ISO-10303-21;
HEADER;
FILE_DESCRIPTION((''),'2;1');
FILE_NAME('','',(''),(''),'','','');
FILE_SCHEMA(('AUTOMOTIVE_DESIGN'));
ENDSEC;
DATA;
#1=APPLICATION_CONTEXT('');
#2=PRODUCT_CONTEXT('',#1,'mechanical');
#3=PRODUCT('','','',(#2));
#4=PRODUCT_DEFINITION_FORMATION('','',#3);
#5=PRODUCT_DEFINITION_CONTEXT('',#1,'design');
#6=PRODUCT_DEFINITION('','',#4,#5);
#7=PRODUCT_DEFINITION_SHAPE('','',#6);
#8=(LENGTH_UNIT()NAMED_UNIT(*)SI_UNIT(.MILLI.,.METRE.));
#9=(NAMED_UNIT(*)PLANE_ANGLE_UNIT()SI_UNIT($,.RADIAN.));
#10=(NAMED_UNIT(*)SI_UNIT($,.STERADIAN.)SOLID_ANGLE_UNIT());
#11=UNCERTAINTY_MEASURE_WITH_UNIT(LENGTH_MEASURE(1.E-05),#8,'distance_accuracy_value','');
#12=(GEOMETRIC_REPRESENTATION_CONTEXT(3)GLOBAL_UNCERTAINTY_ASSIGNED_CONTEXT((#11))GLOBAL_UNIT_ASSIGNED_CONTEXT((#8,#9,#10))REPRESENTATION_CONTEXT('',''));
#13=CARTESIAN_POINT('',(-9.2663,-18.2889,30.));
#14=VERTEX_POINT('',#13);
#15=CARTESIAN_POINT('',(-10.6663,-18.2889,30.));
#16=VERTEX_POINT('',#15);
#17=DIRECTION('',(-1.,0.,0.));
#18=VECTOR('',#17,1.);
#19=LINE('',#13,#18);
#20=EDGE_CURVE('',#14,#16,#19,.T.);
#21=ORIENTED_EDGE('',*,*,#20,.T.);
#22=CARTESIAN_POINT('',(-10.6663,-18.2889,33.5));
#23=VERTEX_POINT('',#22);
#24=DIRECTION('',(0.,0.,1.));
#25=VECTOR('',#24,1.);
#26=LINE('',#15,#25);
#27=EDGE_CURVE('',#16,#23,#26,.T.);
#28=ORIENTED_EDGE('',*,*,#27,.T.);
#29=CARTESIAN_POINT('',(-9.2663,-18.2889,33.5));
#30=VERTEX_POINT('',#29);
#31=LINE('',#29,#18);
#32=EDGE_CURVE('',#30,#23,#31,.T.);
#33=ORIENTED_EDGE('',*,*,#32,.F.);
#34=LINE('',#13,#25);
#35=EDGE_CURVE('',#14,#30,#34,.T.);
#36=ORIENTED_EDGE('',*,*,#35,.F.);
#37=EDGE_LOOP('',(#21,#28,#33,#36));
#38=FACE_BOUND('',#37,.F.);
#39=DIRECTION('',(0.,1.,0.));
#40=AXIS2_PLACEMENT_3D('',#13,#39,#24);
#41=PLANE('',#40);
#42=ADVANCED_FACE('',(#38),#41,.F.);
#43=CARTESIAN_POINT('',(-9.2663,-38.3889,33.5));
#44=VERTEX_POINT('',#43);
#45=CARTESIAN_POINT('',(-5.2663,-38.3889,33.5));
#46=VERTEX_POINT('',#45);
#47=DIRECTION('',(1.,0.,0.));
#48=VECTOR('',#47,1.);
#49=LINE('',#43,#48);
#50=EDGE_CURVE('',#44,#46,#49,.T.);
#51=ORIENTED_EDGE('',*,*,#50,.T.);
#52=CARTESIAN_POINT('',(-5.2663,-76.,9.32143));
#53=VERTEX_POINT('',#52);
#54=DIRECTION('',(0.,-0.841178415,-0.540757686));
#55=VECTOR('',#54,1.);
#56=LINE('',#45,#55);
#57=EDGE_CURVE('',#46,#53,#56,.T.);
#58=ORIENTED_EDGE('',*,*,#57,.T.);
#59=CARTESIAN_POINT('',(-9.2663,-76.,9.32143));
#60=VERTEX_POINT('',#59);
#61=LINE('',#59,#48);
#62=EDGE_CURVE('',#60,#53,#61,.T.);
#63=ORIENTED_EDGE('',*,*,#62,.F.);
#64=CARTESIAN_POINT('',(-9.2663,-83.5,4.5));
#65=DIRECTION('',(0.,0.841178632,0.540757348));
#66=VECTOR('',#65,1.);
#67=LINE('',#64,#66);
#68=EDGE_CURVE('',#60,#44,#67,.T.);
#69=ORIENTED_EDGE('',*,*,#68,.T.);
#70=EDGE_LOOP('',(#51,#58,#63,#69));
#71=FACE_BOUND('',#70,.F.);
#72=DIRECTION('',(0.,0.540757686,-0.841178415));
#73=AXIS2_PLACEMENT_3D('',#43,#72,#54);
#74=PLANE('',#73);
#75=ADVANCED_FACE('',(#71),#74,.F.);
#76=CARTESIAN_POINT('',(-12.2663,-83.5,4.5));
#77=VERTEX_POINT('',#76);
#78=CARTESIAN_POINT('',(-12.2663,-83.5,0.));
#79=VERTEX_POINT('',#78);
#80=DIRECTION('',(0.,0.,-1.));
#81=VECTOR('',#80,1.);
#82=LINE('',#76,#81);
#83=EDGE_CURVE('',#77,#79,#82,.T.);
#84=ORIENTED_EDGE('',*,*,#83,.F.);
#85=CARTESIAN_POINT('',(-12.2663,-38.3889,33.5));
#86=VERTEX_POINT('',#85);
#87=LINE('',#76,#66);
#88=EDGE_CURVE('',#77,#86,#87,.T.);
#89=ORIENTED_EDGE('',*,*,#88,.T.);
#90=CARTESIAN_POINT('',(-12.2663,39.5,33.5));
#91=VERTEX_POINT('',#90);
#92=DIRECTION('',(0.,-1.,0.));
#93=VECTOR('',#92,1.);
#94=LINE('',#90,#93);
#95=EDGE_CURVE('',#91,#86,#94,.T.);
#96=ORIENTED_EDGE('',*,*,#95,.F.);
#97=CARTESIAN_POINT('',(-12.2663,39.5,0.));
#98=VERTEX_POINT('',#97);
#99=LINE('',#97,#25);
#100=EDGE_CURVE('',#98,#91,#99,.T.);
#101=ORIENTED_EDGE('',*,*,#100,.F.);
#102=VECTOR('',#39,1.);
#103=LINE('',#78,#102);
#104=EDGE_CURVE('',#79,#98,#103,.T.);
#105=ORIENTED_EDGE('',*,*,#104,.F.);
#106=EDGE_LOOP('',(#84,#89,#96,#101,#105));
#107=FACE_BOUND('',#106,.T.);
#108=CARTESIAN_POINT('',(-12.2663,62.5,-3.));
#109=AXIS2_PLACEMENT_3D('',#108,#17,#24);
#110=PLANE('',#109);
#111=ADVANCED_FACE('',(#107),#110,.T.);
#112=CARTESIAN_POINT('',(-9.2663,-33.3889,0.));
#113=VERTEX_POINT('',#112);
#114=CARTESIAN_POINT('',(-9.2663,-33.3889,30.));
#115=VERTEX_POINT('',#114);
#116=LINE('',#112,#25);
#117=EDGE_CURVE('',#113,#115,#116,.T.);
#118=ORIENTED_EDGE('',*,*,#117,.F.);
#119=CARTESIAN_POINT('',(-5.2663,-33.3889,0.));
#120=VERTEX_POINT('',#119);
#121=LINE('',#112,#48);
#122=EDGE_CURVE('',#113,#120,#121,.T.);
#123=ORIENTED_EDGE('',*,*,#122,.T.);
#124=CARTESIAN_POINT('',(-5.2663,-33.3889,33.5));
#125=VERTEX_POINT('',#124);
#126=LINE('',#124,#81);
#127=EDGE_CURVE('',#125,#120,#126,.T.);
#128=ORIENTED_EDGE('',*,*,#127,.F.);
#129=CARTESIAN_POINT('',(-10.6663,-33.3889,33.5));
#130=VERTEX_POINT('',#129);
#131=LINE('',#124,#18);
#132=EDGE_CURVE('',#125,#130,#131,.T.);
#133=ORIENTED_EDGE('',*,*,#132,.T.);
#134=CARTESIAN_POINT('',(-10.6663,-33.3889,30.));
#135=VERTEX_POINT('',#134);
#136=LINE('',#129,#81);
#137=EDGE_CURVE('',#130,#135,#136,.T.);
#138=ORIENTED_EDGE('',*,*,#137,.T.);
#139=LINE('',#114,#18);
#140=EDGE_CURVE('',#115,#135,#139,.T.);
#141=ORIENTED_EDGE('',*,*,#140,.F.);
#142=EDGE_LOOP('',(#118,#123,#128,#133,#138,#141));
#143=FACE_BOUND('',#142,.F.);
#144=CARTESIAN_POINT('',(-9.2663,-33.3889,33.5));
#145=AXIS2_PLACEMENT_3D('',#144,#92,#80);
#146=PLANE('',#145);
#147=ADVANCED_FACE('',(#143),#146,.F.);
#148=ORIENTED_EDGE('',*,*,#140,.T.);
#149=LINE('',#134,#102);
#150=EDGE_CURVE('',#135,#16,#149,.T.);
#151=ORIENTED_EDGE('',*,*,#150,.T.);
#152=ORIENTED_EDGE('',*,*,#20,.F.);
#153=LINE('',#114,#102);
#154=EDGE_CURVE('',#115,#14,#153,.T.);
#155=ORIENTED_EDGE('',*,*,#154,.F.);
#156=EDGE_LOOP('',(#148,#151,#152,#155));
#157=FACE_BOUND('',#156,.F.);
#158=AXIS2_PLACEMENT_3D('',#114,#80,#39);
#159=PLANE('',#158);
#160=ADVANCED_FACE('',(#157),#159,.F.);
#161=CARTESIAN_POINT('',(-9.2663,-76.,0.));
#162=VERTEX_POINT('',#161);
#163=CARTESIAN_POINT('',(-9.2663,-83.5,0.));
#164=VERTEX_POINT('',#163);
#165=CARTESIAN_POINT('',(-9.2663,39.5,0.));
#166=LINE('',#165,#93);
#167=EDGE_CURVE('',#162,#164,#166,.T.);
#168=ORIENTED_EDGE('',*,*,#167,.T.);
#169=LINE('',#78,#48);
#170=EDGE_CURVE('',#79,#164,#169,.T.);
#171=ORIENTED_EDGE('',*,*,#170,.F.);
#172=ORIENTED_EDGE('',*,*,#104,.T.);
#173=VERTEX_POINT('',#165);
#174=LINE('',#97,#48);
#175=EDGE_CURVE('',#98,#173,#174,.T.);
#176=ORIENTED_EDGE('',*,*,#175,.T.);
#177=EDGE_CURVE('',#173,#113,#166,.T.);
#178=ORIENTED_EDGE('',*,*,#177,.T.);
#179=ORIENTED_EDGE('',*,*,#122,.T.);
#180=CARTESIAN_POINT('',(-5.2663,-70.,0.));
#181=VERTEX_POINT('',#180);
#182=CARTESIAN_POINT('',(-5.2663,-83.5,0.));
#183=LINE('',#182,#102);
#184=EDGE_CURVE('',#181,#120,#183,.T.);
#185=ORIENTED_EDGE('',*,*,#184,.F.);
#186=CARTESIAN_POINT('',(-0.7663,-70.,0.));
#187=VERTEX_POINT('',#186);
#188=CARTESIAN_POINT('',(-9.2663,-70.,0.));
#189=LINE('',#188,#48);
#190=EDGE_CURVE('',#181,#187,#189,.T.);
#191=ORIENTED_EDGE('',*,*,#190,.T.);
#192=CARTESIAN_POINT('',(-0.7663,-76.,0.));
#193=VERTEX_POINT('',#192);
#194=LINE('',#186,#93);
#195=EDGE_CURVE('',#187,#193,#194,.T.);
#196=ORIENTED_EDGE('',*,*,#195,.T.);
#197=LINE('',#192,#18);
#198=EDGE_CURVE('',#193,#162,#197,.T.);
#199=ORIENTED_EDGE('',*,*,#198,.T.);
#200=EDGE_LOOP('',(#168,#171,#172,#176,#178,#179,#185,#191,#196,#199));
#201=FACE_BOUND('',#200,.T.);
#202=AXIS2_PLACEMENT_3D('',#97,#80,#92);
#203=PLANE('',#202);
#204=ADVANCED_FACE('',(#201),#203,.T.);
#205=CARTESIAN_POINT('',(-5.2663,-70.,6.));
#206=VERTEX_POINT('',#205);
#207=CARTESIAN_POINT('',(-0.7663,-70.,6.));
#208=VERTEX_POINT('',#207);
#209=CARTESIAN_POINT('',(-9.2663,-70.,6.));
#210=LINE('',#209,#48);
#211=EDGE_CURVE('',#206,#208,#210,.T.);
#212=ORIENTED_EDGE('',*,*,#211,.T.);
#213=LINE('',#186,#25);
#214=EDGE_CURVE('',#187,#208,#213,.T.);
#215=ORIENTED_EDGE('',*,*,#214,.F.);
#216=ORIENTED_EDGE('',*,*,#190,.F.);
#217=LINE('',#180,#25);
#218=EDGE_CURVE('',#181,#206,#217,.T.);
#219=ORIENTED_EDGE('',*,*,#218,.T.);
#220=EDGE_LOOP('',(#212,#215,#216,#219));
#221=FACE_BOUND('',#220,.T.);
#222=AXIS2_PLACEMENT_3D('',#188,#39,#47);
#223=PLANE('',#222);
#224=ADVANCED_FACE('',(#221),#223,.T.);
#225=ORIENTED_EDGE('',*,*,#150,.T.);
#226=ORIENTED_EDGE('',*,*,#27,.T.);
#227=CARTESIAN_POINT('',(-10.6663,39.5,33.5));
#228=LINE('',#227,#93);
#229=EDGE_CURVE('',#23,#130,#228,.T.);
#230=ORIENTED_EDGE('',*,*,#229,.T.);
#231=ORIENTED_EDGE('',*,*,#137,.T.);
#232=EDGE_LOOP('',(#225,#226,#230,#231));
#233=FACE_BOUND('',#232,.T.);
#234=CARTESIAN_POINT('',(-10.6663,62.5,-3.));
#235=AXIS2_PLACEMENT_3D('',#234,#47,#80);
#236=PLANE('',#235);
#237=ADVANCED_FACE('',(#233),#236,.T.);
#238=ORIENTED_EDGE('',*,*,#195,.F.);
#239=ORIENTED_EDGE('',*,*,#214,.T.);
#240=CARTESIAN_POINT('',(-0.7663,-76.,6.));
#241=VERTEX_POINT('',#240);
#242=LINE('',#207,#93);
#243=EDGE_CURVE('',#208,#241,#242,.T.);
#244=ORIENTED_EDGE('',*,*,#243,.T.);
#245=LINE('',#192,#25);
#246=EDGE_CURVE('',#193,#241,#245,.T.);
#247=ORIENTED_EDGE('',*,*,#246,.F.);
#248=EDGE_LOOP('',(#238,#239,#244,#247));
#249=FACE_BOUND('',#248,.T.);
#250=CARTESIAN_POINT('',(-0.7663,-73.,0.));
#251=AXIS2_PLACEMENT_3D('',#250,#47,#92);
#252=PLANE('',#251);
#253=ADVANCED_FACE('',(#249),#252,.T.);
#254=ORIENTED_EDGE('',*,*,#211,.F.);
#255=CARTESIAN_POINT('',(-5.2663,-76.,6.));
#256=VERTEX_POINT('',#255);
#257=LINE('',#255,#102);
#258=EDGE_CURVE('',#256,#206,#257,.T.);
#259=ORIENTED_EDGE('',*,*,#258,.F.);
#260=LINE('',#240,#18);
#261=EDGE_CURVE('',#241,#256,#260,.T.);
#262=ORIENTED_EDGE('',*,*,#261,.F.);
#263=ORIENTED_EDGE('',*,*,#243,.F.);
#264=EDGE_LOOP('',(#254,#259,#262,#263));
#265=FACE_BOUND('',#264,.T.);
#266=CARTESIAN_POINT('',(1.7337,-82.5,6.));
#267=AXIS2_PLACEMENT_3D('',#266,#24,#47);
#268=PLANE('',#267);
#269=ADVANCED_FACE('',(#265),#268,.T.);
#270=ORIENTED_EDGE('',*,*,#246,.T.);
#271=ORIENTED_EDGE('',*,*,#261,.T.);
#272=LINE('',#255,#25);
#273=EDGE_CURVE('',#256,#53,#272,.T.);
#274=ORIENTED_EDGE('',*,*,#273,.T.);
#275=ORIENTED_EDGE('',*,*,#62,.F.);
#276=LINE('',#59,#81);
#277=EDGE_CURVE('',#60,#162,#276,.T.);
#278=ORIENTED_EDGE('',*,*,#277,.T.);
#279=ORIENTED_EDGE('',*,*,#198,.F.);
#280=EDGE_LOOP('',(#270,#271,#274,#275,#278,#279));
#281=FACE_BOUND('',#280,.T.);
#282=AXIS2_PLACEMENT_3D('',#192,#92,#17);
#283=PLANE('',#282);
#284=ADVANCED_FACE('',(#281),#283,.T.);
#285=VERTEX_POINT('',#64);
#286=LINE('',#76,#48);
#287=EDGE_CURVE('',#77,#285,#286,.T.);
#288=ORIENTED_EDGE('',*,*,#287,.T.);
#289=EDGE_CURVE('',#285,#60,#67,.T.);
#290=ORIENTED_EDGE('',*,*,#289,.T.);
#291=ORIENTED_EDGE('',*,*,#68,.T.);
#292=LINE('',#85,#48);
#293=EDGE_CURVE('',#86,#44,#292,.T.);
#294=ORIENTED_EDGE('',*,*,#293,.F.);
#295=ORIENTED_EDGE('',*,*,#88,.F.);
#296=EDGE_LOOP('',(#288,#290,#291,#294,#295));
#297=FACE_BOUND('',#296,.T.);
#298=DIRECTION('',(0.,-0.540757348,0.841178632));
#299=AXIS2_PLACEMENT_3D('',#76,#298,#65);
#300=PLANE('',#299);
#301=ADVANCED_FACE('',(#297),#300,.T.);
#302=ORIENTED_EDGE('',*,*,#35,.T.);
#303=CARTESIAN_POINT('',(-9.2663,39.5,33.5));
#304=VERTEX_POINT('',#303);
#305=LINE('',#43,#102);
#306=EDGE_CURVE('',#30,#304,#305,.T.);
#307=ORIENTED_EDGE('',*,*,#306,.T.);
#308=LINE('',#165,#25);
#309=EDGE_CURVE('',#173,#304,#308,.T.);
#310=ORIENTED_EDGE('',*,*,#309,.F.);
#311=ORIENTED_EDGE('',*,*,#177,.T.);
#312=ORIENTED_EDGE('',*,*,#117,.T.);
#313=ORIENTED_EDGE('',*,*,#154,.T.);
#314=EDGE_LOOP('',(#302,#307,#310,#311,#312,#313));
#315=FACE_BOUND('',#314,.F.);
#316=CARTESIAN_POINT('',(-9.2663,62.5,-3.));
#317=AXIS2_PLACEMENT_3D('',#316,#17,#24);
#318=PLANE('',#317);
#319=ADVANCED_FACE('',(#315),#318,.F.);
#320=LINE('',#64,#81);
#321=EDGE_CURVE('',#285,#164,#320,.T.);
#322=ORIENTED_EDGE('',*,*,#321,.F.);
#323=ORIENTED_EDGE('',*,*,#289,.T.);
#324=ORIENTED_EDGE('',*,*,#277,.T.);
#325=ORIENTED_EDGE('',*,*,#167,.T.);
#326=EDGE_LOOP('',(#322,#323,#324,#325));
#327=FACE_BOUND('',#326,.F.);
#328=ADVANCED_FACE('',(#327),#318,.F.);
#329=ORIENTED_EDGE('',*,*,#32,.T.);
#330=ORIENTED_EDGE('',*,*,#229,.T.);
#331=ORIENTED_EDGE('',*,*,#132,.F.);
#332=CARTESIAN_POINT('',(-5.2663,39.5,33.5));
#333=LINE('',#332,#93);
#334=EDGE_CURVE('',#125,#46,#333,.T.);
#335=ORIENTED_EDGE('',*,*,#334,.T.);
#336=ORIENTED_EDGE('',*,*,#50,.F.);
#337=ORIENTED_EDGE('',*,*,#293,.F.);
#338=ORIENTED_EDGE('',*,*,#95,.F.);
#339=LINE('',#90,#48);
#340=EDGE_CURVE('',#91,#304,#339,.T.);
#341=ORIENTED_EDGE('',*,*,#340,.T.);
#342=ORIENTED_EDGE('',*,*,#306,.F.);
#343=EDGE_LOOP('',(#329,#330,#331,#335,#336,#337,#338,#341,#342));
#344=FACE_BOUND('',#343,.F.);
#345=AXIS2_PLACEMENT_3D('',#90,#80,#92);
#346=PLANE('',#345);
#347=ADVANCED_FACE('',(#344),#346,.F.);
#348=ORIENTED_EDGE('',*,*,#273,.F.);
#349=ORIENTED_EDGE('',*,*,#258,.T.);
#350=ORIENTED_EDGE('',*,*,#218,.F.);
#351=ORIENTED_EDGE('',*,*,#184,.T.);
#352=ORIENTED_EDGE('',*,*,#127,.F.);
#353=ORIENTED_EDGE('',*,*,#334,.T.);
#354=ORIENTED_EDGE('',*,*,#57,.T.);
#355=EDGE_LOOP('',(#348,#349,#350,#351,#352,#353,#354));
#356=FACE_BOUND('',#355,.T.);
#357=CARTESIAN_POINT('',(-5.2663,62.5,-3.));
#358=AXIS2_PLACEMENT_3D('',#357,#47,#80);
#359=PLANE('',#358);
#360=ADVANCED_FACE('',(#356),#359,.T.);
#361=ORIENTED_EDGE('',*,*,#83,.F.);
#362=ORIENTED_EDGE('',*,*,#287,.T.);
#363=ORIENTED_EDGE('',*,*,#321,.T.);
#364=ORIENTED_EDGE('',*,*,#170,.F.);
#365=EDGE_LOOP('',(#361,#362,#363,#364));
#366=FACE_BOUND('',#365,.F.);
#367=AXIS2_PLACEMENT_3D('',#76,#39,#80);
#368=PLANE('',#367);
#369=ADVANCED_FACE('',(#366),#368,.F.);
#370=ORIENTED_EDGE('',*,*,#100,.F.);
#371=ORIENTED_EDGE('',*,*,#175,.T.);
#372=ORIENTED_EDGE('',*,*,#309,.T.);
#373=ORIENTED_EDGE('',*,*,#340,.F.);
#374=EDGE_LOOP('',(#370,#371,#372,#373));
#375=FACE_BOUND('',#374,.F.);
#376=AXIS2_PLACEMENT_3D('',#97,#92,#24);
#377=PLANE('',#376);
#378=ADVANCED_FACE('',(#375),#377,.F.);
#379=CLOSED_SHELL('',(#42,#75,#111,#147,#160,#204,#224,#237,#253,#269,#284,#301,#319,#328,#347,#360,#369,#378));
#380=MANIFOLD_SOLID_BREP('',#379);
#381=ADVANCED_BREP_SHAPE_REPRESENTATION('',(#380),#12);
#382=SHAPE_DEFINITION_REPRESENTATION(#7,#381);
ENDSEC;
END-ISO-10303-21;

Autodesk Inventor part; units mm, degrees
ref_plane "YZ Plane" through (0, 0, 0) normal (1, 0, 0) x (0, 1, 0)
ref_plane "XZ Plane" through (0, 0, 0) normal (0, 1, 0) x (-1, 0, 0)
ref_plane "XY Plane" through (0, 0, 0) normal (0, 0, 1) x (1, 0, 0)
ref_plane "Work Plane4" through (-12.2663, 62.5, -3) normal (-1, 0, 0) x (0, 0, 1)
sketch "Sketch4" plane through (-12.2663, 62.5, -3) normal (-1, 0, 0) x (0, 0, 1)
  line L0 (0, -23) -> (0, -129) projected
  line L1 (0, -129) -> (3, -129) projected
  line L2 (3, -23) -> (3, -129) projected
  line L3 (0, -23) -> (3, -23) projected
  circle A0 centre (13.5, 4.5) radius 25 projected
  line L4 (7.5, -146) -> (3, -146) projected
  line L5 (3, -146) -> (3, -150) projected
  line L6 (3, -150) -> (-0.5, -150) projected
  line L7 (-0.5, -150) -> (-0.5, -164) projected
  line L8 (-0.5, -164) -> (8.5, -150) projected
  line L9 (8.5, -150) -> (7.5, -150) projected
  line L10 (7.5, -150) -> (7.5, -146) projected
  line L11 (0, -132) -> (0, -150) projected
  line L12 (0, -150) -> (3, -150) projected
  line L13 (3, -132) -> (3, -150) projected
  line L14 (3, -107) -> (3, -129) projected
  line L15 (0, -129) -> (0, -107) projected
  line L16 (7.5, -146) -> (3, -146)
  line L17 (3, -146) -> (3, -23)
  line L18 (3, -23) -> (36.5, -23)
  line L19 (8.5, -150) -> (66.1149, -60.3768)
  line L20 (7.5, -146) -> (63.7229, -58.5421)
  line L21 (36.5, -23) -> (36.5, -100.8889)
  line L22 (36.5, -98.0889) -> (33.5, -98.0889)
  line L23 (33.5, -98.0889) -> (33.5, -82.9889)
  line L24 (33.5, -82.9889) -> (36.5, -82.9889)
  line L25 (36.5, -82.9889) -> (36.5, -98.0889)
  line L26 (0, -132) -> (3, -132) projected
  point P0 (3, -62.5)
  point P1 (38.5, 4.5)
  point P2 (3, -129)
  point P3 (3, -132)
  dimension "d4" = 25
  dimension "d5" = 2
  dimension "d9" = 2.8
  dimension "d10" = 15.1
  dimension "d11" = 3
extrude "Extrusion1" add sketch "Sketch4" against normal blind 3 contours L18 L21 L24 L23 L22 L20 L4 L13 L17 L2 | L21 L22 L23 L24
sketch "Sketch10" plane through (-9.2663, 62.5, -3) normal (1, 0, 0) x (0, 0, -1)
  line L0 (-36.5, -23) -> (-36.5, -100.8889) projected
  line L1 (-36.5, -95.8889) -> (-33, -95.8889)
  line L2 (-33, -95.8889) -> (-33, -80.7889)
  line L3 (-33, -80.7889) -> (-36.5, -80.7889)
  line L4 (-36.5, -80.7889) -> (-36.5, -95.8889)
  point P0 (-3, -62.5)
  point P1 (-36.5, -80.7889)
  dimension "d20" = 3.5
  dimension "d21" = 15.1
  dimension "d22" = 5
extrude "Extrusion4" cut sketch "Sketch10" against normal blind 1.4
ref_plane "Work Plane5" through (1.7337, -83.5, -0.5885) normal (0, 0, 1) x (1, 0, 0)
ref_plane "Work Plane6" through (1.7337, -82.5, 0) normal (0, 0, 1) x (1, 0, 0)
sketch "Sketch13" plane through (1.7337, -82.5, 0) normal (0, 0, 1) x (1, 0, 0)
  circle A0 centre (-5.5, 9.5) radius 1.25 projected
  circle A1 centre (-5.5, 9.5) radius 3
  line L0 (-11, -1) -> (-11, 122) projected
  line L1 (-11, 12.5) -> (-2.5, 12.5)
  line L2 (-2.5, 12.5) -> (-2.5, 6.5)
  line L3 (-2.5, 6.5) -> (-11, 6.5)
  line L4 (-11, 6.5) -> (-11, 12.5)
  point P0 (-1.7337, 82.5)
  dimension "d28" = 6
extrude "Extrusion6" add sketch "Sketch13" along normal blind 6 contours A0 | A1 | L2 L3 A1 | A1 L1 L2 | A1 L3 L0 L1
sketch "Sketch14" plane through (-9.2663, 62.5, -3) normal (1, 0, 0) x (0, 0, -1)
  line L0 (-3, -23) -> (-36.5, -23) projected
  line L1 (-36.5, -23) -> (-36.5, -100.8889) projected
  line L2 (-36.5, -100.8889) -> (-7.5, -146) projected
  line L3 (-7.5, -146) -> (-3, -146) projected
  line L4 (-3, -146) -> (-3, -23) projected
  line L5 (-36.5, -80.7889) -> (-33, -80.7889) projected
  line L6 (-36.5, -95.8889) -> (-36.5, -80.7889) projected
  line L7 (-33, -95.8889) -> (-36.5, -95.8889) projected
  line L8 (-33, -80.7889) -> (-33, -95.8889) projected
  line L9 (-36.5, -95.8889) -> (-36.5, -100.8889) projected
  line L10 (-3, -132.5) -> (-3, -23) projected
  line L11 (-36.5, -95.8889) -> (-3, -95.8889)
  line L12 (-3, -95.8889) -> (-3, -132.5)
  line L13 (-3, -132.5) -> (-36.5, -132.5)
  line L14 (-36.5, -132.5) -> (-36.5, -95.8889)
  line L15 (-3, -138.5) -> (-3, -132.5) projected
  line L16 (-3, -132.5) -> (-9, -132.5) projected
  line L17 (-9, -138.5) -> (-9, -132.5) projected
  line L18 (-3, -138.5) -> (-9, -138.5) projected
  line L19 (-3, -138.5) -> (-9, -138.5) projected
  line L20 (-7.5, -146) -> (-36.5, -100.8889) projected
  line L21 (-9, -138.5) -> (-16.1786, -138.5)
  line L22 (-16.1786, -138.5) -> (-16.1786, -132.5)
  line L23 (-16.1786, -132.5) -> (-9, -132.5)
  line L24 (-9, -132.5) -> (-9, -138.5)
  point P0 (-3, -62.5)
  point P1 (-16.1786, -132.5)
  point P2 (-3, -95.8889)
  point P3 (-12.3214, -138.5)
extrude "Extrusion7" add sketch "Sketch14" along normal blind 4 contours L4 L13 L2 L1 L7 L11 | L17 L21 L2 L13
properties part number "right_side"
